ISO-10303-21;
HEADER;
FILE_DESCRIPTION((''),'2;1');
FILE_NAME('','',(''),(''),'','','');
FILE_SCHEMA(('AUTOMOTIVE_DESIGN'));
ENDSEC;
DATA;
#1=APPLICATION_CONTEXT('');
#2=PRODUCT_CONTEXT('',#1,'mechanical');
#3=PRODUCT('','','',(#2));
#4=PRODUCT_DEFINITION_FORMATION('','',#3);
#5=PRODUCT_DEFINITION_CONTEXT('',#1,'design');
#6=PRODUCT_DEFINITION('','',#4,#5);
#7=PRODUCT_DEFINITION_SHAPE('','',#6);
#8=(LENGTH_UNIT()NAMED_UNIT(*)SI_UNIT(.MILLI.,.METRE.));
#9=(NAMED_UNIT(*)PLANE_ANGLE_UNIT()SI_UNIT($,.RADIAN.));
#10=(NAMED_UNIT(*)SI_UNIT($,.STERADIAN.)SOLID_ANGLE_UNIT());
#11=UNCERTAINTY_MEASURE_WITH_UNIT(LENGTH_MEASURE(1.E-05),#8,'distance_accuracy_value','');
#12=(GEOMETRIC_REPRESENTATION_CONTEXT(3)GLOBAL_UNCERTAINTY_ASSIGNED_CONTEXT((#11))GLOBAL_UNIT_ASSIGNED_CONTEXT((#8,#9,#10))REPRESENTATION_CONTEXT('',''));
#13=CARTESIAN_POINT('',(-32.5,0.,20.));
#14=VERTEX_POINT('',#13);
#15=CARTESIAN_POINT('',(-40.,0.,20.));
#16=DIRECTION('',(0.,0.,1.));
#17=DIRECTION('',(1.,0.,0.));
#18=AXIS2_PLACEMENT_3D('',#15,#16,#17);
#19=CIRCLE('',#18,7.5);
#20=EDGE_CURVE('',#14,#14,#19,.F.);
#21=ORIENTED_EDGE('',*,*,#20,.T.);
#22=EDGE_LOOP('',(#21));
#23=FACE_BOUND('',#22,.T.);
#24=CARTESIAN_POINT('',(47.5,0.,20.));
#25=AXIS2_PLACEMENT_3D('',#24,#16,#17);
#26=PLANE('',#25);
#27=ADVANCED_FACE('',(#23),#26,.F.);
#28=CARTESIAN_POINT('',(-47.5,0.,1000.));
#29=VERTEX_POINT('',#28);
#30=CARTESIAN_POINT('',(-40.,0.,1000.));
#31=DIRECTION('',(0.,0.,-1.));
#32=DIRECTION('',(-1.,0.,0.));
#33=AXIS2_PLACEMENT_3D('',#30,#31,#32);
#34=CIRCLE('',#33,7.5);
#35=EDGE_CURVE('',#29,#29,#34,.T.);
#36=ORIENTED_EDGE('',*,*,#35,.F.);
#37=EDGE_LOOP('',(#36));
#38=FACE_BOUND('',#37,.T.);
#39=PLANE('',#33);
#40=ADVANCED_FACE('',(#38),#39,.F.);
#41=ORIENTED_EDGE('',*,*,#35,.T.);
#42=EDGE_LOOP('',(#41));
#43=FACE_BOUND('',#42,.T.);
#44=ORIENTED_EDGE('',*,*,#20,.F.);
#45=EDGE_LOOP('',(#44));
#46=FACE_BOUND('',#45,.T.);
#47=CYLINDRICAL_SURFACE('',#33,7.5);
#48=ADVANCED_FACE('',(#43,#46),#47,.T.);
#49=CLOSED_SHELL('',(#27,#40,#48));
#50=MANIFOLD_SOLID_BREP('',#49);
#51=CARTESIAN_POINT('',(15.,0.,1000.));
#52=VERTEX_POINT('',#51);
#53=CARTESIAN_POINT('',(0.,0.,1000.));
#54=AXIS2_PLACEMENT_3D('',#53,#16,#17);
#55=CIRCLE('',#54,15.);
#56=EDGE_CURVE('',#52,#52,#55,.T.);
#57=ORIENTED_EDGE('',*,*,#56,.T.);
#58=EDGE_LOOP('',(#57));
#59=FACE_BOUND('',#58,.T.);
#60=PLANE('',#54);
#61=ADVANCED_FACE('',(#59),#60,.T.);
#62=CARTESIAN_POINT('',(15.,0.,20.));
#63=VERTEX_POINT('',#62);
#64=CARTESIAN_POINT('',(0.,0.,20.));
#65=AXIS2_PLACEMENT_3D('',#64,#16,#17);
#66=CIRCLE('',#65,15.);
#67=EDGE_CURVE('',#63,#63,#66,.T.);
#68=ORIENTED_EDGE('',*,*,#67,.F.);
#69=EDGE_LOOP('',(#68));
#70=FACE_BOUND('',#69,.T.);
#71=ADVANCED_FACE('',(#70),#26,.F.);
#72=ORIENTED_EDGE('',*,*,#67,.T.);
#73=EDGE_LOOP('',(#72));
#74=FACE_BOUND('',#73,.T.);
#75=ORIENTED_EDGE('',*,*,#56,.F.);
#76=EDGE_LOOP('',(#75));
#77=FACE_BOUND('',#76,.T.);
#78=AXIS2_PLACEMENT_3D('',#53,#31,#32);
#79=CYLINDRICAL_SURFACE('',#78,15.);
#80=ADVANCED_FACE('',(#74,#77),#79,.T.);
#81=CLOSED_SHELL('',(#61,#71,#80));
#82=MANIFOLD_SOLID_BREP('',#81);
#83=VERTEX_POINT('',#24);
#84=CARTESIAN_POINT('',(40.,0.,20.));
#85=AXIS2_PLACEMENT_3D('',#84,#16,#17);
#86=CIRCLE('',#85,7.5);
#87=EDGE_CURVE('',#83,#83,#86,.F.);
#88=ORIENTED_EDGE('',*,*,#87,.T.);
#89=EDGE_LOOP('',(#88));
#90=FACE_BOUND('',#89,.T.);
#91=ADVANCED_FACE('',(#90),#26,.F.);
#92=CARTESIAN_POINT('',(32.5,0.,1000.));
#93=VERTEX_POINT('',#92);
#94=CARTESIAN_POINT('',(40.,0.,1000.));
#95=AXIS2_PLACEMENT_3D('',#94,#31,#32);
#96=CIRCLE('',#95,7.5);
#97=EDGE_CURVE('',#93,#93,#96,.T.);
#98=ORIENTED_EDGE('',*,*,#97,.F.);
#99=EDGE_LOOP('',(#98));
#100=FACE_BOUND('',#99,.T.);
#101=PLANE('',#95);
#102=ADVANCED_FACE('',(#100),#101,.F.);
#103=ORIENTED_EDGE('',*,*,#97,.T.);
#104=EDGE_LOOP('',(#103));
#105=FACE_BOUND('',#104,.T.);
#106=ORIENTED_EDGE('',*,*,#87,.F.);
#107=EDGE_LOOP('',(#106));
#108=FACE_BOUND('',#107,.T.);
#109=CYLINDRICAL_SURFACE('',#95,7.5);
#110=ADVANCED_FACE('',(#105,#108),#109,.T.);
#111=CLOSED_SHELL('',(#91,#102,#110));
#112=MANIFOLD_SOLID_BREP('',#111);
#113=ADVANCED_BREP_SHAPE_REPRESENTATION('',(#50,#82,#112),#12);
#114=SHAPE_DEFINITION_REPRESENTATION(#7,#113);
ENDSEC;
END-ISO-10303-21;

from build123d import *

# Parameters (mm, degrees)
SKETCH_1_R               = 15
EXTRUDE_1_DEPTH          = 1000
SKETCH_6_R               = 7.5
EXTRUDE_2_DEPTH          = 1000
EXTRUDE_2_2_DEPTH        = 1000
CUT_EXTRUDE_1_DEPTH      = 1006.547725945
CUT_EXTRUDE_1_DEPTH_BACK = 1006.547725945
SKETCH_7_W               = 43.373576948
SKETCH_7_H               = 87.109491317


with BuildPart() as part:
    # 草图1 → 凸台-拉伸1 (new body)
    with BuildSketch(Plane.XY):
        Circle(SKETCH_1_R)
    extrude(amount=EXTRUDE_1_DEPTH)


with BuildPart() as body_2:
    # 草图6 → 凸台-拉伸2 (new body)
    with BuildSketch(Plane(origin=(0, 0, 0), x_dir=(-1, 0, 0), z_dir=(0, 0, -1))):
        with Locations((-40, 0)):
            Circle(SKETCH_6_R)
    extrude(amount=-EXTRUDE_2_DEPTH)


with BuildPart() as body_3:
    # 草图6 → Extrude 2 2 (new body)
    with BuildSketch(Plane(origin=(0, 0, 0), x_dir=(-1, 0, 0), z_dir=(0, 0, -1))):
        with Locations((40, 0)):
            Circle(SKETCH_6_R)
    extrude(amount=-EXTRUDE_2_2_DEPTH)


with BuildPart() as cut_extrude_1_tool:
    # 草图7 → 切除-拉伸1 (new, two sides: drawn at the far end of the back side and taken through both)
    with BuildSketch(Plane.ZY.offset(56.908951495).offset(-CUT_EXTRUDE_1_DEPTH_BACK)):
        with Locations((-1.686788474, -10.270563655)):
            Rectangle(SKETCH_7_W, SKETCH_7_H)
    extrude(amount=CUT_EXTRUDE_1_DEPTH + CUT_EXTRUDE_1_DEPTH_BACK)


with BuildPart() as part_1:
    add(part.part)

    # 切除-拉伸1: cut by cut_extrude_1_tool
    add(cut_extrude_1_tool.part, mode=Mode.SUBTRACT)


with BuildPart() as body_2_1:
    add(body_2.part)

    # 切除-拉伸1: cut by cut_extrude_1_tool
    add(cut_extrude_1_tool.part, mode=Mode.SUBTRACT)


with BuildPart() as body_3_1:
    add(body_3.part)

    # 切除-拉伸1: cut by cut_extrude_1_tool
    add(cut_extrude_1_tool.part, mode=Mode.SUBTRACT)


solid = Compound([part_1.part, body_2_1.part, body_3_1.part])
